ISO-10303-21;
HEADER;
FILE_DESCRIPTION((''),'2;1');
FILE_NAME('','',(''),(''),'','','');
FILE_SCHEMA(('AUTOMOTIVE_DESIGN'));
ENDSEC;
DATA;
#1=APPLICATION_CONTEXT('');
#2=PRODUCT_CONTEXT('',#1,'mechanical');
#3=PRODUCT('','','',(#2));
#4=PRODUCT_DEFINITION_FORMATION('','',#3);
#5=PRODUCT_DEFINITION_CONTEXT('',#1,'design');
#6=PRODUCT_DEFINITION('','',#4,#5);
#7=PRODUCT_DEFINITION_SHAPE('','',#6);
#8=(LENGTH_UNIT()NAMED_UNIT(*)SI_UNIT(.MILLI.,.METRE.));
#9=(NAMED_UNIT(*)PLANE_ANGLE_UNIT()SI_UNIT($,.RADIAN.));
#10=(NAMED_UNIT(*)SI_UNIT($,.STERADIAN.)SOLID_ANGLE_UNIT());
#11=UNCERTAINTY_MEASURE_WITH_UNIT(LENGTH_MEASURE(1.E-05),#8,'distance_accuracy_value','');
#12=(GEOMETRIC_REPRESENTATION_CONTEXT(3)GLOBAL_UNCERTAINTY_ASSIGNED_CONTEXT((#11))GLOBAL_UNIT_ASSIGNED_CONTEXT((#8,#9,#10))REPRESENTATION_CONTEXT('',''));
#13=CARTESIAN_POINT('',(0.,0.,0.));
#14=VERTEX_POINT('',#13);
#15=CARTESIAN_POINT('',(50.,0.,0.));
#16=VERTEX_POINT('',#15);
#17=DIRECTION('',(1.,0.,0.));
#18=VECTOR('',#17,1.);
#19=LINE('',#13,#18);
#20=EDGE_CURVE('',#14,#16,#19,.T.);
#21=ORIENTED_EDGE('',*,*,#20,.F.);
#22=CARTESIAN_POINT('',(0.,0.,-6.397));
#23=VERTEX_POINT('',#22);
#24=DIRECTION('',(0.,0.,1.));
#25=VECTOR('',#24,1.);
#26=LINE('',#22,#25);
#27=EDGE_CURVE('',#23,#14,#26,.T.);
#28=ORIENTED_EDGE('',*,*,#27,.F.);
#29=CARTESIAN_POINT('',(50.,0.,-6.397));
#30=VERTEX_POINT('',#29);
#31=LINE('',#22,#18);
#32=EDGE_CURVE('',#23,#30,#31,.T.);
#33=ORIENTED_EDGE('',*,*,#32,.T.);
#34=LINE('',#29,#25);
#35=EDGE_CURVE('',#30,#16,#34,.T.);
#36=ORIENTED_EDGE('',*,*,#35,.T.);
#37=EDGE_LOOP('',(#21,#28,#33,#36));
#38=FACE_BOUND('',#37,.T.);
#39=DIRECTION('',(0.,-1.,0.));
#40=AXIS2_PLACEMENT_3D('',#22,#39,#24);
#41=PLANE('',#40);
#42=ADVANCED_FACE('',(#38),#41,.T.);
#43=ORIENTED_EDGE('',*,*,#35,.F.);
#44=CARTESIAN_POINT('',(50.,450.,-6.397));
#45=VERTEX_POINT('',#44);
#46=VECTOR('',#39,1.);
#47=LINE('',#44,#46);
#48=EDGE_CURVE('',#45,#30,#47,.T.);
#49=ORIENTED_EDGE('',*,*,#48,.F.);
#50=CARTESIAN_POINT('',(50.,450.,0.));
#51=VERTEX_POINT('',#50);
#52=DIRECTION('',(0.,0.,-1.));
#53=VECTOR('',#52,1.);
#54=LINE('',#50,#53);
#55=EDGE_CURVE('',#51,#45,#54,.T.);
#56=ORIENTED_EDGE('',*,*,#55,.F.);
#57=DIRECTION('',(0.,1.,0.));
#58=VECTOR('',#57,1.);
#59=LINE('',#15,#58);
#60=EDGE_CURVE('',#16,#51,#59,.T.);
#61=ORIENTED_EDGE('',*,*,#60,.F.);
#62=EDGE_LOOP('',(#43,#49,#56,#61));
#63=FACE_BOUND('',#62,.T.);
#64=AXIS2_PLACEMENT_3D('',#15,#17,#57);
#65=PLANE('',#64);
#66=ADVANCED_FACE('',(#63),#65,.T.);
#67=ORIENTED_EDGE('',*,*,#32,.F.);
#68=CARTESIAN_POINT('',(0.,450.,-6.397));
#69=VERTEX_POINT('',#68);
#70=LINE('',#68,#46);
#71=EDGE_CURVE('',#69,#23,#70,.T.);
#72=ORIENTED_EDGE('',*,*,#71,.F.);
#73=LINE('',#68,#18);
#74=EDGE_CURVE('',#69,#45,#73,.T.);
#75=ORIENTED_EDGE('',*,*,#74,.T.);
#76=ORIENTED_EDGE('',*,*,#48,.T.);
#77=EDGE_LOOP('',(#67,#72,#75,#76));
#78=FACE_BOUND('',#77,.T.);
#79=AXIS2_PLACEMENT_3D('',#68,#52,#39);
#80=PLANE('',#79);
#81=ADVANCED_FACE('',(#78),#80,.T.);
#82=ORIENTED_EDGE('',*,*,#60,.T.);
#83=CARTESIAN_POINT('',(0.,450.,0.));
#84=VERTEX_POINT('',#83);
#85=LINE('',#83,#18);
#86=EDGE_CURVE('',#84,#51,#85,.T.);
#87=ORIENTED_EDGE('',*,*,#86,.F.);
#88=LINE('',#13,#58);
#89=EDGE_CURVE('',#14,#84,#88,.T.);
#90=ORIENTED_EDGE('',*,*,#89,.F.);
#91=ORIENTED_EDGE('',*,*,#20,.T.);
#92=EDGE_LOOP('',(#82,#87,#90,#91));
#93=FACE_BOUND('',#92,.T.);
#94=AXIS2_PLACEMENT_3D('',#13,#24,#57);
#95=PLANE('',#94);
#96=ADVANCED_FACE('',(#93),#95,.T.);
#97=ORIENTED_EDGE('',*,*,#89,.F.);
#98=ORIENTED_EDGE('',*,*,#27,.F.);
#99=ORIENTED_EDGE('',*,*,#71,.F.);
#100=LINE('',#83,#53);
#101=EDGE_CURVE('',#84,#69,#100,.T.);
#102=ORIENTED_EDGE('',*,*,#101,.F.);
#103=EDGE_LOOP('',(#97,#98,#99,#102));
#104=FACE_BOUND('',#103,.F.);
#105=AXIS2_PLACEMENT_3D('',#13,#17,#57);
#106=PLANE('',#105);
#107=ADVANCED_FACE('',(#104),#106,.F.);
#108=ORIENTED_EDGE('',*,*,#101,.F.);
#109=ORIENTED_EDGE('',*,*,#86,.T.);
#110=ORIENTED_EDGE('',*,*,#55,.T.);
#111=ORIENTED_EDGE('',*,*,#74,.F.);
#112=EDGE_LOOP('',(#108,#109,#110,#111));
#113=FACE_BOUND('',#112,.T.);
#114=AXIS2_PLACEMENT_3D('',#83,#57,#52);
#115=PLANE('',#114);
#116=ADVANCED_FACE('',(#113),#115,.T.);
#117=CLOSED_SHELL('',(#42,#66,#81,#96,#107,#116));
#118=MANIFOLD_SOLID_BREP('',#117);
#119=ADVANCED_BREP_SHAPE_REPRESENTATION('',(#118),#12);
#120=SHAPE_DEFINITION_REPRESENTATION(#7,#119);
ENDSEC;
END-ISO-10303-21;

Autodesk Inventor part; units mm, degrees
ref_plane "YZ Plane" through (0, 0, 0) normal (1, 0, 0) x (0, 1, 0)
ref_plane "XZ Plane" through (0, 0, 0) normal (0, 1, 0) x (-1, 0, 0)
ref_plane "XY Plane" through (0, 0, 0) normal (0, 0, 1) x (1, 0, 0)
sketch "Sketch1" plane through (0, 0, 0) normal (1, 0, 0) x (0, 1, 0)
  line L0 (0, 0) -> (450, 0)
  line L1 (450, 0) -> (450, -6.397)
  line L2 (450, -6.397) -> (0, -6.397)
  line L3 (0, -6.397) -> (0, 0)
  dimension "d0" = 450
extrude "Extrusion1" add sketch "Sketch1" along normal blind 50
